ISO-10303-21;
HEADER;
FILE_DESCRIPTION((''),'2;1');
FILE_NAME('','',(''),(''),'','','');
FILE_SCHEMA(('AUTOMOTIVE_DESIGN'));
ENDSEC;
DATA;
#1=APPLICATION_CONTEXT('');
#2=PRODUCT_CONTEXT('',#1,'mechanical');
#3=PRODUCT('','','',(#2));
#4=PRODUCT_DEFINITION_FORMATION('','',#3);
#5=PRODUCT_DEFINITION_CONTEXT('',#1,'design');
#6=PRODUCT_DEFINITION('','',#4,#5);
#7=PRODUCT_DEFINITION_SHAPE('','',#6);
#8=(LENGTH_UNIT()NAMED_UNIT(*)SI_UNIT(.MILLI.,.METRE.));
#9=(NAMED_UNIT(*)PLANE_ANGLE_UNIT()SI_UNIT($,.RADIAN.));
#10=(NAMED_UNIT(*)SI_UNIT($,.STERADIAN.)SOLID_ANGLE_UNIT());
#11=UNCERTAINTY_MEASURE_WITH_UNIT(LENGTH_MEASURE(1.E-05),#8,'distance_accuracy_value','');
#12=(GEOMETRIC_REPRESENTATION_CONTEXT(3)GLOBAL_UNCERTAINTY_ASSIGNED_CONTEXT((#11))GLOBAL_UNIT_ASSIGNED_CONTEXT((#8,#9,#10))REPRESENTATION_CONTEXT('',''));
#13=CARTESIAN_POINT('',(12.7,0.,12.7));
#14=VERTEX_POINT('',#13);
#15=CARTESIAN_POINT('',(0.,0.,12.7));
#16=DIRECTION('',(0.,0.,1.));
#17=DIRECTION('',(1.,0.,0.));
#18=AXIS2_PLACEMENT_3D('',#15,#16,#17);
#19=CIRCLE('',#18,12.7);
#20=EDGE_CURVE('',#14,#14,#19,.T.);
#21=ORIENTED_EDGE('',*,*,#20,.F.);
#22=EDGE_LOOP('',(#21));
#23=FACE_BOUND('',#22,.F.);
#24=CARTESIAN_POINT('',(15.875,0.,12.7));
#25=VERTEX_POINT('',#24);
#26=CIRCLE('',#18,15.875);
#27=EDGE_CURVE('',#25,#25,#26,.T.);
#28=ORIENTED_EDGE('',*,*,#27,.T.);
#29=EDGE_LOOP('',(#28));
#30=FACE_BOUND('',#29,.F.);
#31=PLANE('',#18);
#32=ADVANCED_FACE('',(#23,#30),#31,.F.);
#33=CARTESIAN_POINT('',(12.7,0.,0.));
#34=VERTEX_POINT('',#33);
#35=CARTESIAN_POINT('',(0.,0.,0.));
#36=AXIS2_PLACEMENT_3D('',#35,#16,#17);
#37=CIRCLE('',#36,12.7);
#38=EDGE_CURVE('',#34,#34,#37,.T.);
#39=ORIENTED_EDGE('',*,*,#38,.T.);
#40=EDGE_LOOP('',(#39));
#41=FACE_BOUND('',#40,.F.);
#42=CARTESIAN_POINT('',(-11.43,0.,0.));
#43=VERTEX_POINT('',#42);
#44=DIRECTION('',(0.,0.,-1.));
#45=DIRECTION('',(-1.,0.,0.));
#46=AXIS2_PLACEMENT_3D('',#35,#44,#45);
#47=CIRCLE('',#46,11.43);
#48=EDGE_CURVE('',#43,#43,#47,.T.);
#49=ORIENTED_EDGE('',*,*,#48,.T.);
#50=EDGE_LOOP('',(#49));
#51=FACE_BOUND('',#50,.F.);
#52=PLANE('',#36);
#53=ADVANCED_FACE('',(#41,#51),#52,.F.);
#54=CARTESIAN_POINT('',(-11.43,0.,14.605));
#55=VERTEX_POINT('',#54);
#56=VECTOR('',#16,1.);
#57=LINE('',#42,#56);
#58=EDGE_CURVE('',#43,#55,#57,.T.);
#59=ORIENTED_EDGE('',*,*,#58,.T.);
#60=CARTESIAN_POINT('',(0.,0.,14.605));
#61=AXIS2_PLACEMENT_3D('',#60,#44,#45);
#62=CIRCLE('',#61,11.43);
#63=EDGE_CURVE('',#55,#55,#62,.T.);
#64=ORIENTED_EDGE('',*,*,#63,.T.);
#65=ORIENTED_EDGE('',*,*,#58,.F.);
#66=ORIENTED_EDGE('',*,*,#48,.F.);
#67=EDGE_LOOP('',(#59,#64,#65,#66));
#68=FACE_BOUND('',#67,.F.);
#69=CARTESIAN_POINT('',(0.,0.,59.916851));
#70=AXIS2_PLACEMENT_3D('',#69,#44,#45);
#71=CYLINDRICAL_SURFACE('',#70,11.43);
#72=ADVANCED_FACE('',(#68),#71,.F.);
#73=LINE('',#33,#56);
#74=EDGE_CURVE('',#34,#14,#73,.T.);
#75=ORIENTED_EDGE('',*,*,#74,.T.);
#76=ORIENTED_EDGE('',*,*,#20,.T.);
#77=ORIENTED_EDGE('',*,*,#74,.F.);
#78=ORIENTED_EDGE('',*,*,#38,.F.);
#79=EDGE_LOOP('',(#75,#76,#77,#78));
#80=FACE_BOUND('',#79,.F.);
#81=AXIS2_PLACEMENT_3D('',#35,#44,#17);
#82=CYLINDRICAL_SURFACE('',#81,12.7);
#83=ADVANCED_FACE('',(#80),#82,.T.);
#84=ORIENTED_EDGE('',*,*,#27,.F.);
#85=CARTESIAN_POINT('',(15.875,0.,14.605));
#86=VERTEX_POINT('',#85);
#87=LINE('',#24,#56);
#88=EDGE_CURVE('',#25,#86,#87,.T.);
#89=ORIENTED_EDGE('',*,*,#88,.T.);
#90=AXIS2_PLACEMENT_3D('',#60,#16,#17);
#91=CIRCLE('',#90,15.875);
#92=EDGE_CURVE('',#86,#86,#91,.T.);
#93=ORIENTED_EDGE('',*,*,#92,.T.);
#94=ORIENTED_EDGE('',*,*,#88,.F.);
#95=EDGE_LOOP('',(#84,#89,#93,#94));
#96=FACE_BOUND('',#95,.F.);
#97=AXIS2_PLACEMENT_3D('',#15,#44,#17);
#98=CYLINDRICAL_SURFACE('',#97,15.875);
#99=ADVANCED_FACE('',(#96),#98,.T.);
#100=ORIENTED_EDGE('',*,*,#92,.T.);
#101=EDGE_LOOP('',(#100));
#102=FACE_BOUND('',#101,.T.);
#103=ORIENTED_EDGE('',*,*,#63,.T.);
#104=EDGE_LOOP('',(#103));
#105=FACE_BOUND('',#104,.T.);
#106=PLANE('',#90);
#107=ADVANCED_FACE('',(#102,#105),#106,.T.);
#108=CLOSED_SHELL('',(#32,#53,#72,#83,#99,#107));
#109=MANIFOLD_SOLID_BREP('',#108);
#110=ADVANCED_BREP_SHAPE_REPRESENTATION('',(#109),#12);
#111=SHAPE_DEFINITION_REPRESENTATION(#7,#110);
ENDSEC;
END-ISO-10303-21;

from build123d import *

# Parameters (mm, degrees)
F0_R     = 12.7
F1_DEPTH = 12.7
F3_D     = 22.86
F4_R     = 15.875
F5_DEPTH = 1.905
F7_D     = 22.86


with BuildPart() as f1:
    # F0 (on Top) → F1 (new body)
    with BuildSketch(Plane.XY):
        Circle(F0_R)
    extrude(amount=F1_DEPTH)

    # F3 (through all)
    with Locations(Plane.XY.offset(14.605)):
        with Locations((0, 0)):
            Hole(F3_D / 2)

    # F4 (on face) → F5 (join)
    with BuildSketch(Plane.XY.offset(12.7)):
        Circle(F4_R)
    extrude(amount=F5_DEPTH)

    # F7 (through all)
    with Locations(Plane.XY.offset(12.7)):
        with Locations((0, 0)):
            Hole(F7_D / 2)


solid = f1.part
